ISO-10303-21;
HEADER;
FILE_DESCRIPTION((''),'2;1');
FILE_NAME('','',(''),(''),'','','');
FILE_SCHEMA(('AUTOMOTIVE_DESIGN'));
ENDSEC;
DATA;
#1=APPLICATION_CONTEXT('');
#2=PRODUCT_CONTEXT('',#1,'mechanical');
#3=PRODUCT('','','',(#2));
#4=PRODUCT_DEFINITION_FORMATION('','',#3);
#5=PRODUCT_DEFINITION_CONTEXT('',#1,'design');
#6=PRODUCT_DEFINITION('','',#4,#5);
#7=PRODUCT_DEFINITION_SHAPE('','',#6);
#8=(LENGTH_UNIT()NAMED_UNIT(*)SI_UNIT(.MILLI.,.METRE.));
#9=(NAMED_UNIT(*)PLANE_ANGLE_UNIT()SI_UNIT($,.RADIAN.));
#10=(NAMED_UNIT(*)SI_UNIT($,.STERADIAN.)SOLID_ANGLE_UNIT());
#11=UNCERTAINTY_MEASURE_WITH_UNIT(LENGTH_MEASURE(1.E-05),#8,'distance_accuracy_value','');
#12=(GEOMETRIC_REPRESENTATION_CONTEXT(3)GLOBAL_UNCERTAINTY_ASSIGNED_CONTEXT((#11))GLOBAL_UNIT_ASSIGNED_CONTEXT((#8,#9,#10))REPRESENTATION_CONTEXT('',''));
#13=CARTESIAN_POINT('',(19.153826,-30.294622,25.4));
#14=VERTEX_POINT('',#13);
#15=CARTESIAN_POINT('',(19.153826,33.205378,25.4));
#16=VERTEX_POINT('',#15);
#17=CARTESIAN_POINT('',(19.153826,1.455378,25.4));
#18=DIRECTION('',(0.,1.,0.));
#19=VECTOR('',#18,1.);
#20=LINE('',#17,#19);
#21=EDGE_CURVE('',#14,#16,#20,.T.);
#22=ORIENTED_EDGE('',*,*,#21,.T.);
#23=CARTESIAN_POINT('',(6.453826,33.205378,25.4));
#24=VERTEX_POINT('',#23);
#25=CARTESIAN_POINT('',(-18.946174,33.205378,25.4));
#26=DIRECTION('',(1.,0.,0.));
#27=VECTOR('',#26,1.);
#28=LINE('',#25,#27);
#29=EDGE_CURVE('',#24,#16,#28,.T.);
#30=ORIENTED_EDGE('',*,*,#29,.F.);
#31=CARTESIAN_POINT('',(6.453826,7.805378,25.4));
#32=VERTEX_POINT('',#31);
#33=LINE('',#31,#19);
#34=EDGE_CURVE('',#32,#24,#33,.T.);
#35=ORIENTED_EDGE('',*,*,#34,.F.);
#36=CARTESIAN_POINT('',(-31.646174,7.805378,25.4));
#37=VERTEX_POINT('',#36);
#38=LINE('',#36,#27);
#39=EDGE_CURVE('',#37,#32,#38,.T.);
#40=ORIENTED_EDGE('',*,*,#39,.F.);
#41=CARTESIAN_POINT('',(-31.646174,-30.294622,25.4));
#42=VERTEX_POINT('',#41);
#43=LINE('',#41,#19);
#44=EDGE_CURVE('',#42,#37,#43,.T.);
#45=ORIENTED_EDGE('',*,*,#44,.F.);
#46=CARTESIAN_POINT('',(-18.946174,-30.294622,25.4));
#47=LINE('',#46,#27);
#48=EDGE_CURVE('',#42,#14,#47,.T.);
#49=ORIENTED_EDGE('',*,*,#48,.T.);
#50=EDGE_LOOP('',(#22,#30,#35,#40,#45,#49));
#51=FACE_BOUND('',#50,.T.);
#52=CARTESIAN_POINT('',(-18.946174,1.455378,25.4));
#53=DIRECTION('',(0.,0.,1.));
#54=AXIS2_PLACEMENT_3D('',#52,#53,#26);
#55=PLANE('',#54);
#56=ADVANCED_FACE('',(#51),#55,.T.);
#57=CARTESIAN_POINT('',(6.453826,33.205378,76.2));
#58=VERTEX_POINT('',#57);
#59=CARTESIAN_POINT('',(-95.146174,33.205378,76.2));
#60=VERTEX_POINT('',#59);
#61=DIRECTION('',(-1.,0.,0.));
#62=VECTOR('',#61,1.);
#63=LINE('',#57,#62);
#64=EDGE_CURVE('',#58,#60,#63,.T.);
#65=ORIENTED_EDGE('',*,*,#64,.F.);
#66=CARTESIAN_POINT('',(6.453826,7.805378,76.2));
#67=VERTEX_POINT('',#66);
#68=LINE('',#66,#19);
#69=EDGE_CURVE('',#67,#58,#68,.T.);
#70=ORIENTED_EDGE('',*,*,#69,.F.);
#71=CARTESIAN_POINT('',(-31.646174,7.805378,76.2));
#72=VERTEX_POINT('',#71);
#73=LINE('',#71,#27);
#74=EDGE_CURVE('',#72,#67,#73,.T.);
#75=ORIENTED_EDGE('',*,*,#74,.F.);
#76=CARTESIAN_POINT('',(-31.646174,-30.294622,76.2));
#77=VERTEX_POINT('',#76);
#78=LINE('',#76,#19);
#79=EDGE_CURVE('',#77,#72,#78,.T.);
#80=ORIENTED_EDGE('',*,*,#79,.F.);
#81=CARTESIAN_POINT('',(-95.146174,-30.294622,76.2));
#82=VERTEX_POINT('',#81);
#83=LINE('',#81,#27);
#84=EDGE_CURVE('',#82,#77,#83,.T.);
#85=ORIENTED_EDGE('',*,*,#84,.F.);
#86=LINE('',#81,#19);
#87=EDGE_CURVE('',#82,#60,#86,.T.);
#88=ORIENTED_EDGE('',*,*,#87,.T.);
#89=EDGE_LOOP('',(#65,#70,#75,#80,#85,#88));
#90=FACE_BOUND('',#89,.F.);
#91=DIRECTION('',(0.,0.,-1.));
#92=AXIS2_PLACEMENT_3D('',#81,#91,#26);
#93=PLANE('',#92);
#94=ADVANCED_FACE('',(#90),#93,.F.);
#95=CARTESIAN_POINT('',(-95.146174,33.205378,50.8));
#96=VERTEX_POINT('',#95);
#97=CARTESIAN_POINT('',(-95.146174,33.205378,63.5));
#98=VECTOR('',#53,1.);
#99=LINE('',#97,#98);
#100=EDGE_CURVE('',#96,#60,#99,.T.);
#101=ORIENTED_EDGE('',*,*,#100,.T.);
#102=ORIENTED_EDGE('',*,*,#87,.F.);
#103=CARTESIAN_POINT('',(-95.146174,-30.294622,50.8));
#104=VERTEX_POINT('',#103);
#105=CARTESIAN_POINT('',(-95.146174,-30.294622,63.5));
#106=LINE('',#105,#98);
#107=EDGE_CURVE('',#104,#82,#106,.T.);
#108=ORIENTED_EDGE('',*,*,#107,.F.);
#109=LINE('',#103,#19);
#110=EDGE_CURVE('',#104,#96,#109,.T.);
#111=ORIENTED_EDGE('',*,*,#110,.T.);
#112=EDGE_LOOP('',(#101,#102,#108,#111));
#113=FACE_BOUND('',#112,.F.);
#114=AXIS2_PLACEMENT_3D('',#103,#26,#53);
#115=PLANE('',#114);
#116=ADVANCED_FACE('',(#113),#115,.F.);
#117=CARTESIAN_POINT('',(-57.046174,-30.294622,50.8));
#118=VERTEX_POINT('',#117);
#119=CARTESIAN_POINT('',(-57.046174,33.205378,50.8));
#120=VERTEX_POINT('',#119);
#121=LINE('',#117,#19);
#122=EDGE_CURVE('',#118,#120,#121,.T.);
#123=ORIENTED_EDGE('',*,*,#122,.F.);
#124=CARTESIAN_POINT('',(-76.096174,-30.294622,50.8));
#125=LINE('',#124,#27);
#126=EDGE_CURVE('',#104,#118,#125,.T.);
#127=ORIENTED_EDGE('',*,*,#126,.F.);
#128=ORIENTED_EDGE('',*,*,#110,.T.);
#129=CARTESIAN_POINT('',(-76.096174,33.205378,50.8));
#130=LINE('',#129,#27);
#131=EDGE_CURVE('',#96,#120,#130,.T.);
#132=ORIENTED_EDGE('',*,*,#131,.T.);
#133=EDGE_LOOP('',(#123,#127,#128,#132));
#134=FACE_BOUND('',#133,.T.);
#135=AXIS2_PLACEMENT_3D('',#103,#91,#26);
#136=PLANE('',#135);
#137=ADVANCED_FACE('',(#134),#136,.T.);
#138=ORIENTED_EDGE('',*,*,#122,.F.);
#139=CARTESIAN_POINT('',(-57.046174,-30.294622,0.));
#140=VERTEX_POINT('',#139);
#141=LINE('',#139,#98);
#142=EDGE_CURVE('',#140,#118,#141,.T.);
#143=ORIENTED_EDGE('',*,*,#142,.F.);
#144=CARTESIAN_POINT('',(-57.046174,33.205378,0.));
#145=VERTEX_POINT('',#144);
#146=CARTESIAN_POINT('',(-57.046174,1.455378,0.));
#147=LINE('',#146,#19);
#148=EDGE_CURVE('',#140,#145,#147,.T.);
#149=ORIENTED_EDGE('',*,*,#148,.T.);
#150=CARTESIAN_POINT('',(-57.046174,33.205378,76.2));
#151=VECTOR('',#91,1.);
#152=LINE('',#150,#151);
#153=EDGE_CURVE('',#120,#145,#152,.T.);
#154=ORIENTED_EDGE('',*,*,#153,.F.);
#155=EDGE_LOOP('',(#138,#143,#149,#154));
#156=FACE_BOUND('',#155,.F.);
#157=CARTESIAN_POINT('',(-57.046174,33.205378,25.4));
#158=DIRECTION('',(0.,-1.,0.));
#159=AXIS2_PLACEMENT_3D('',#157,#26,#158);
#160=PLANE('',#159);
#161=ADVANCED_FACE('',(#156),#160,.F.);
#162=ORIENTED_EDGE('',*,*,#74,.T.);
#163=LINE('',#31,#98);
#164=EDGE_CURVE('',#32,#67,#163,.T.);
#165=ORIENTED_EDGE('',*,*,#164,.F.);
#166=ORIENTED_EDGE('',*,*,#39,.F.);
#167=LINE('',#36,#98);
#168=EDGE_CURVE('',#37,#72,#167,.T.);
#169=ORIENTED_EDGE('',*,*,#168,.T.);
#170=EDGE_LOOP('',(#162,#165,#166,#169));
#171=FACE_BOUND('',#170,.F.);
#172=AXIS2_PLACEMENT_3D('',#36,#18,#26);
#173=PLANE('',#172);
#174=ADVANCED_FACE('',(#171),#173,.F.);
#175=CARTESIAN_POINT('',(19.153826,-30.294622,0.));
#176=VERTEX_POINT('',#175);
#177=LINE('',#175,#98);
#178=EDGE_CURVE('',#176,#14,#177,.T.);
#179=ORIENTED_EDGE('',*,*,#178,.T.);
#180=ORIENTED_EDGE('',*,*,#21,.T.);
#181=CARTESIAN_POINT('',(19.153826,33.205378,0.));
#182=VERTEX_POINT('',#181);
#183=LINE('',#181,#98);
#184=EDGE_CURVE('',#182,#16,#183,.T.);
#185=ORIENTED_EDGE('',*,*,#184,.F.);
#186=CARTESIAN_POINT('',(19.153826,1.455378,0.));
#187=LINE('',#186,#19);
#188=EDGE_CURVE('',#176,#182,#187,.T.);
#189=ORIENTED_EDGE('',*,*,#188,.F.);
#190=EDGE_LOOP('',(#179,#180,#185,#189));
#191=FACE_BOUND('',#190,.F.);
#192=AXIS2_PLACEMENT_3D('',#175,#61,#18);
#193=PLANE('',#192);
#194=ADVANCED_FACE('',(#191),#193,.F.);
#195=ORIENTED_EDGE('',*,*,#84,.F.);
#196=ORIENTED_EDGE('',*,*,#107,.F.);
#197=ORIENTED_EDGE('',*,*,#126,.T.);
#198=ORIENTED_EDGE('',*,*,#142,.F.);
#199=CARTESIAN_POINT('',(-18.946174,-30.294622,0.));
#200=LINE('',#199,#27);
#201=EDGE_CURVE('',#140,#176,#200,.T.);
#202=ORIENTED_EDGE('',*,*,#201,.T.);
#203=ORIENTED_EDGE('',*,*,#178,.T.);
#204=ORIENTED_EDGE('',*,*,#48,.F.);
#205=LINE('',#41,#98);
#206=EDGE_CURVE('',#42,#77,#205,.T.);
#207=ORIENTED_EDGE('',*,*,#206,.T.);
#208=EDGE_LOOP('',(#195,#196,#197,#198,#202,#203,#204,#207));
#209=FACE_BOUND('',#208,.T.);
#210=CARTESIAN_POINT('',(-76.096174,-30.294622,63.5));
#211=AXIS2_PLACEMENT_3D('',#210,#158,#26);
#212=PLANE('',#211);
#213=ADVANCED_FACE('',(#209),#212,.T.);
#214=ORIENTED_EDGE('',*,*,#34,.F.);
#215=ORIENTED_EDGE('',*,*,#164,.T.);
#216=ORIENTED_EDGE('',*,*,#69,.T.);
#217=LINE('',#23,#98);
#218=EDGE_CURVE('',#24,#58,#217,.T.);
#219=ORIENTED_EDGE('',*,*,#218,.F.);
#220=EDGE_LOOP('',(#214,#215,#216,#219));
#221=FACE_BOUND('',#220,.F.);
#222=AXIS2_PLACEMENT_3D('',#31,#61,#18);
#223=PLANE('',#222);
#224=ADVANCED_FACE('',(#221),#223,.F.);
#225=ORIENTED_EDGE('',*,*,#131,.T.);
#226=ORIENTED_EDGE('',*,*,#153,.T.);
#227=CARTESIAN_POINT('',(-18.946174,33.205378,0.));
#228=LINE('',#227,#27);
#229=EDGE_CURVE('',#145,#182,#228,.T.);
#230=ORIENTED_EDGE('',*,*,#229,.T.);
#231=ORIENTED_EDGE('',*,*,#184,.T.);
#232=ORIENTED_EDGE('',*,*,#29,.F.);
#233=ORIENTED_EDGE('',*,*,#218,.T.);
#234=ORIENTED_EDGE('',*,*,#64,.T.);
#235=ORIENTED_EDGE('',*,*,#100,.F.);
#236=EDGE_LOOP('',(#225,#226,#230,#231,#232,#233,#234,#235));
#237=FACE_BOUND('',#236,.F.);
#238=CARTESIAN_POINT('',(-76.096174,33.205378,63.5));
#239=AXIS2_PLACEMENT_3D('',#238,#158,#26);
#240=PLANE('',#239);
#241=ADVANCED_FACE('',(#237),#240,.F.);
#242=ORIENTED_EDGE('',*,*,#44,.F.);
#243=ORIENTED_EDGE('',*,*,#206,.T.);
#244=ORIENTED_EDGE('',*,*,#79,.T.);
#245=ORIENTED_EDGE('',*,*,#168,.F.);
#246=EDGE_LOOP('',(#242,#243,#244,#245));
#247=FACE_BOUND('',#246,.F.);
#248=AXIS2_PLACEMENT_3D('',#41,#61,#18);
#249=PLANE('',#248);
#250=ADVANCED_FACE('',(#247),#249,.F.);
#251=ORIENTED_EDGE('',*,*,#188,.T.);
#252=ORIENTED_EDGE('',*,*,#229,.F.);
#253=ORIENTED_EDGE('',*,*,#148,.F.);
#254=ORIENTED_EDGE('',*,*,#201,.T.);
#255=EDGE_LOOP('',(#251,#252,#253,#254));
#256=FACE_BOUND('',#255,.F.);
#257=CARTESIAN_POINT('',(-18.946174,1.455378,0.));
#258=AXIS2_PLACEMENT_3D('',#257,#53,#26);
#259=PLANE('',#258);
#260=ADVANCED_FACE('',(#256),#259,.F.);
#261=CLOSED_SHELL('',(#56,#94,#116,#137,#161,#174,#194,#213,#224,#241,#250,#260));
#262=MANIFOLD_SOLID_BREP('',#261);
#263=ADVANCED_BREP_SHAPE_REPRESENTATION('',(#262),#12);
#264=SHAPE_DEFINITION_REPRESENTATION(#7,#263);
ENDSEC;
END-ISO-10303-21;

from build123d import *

# Parameters (mm, degrees)
F0_W     = 76.2
F0_H     = 63.5
F1_DEPTH = 25.4
F3_DEPTH = 50.8
F4_W     = 38.1
F4_H     = 25.4
F5_DEPTH = 63.5


with BuildPart() as f1:
    # F0 (on Top) → F1 (new body)
    with BuildSketch(Plane.XY):
        with Locations((-18.946174, 1.455378)):
            Rectangle(F0_W, F0_H)
    extrude(amount=F1_DEPTH)

    # F2 (on face) → F3 (join)
    with BuildSketch(Plane.XY.offset(25.4)):
        Polygon((-57.046174, 33.205378), (-57.046174, -30.294622), (-31.646174, -30.294622), (-31.646174, 7.805378), (6.453826, 7.805378), (6.453826, 33.205378), align=None)
    extrude(amount=F3_DEPTH)

    # F4 (on face) → F5 (join)
    with BuildSketch(Plane.XZ.offset(30.294622)):
        with Locations((-76.096174, 63.5)):
            Rectangle(F4_W, F4_H)
    extrude(amount=-F5_DEPTH)


solid = f1.part
